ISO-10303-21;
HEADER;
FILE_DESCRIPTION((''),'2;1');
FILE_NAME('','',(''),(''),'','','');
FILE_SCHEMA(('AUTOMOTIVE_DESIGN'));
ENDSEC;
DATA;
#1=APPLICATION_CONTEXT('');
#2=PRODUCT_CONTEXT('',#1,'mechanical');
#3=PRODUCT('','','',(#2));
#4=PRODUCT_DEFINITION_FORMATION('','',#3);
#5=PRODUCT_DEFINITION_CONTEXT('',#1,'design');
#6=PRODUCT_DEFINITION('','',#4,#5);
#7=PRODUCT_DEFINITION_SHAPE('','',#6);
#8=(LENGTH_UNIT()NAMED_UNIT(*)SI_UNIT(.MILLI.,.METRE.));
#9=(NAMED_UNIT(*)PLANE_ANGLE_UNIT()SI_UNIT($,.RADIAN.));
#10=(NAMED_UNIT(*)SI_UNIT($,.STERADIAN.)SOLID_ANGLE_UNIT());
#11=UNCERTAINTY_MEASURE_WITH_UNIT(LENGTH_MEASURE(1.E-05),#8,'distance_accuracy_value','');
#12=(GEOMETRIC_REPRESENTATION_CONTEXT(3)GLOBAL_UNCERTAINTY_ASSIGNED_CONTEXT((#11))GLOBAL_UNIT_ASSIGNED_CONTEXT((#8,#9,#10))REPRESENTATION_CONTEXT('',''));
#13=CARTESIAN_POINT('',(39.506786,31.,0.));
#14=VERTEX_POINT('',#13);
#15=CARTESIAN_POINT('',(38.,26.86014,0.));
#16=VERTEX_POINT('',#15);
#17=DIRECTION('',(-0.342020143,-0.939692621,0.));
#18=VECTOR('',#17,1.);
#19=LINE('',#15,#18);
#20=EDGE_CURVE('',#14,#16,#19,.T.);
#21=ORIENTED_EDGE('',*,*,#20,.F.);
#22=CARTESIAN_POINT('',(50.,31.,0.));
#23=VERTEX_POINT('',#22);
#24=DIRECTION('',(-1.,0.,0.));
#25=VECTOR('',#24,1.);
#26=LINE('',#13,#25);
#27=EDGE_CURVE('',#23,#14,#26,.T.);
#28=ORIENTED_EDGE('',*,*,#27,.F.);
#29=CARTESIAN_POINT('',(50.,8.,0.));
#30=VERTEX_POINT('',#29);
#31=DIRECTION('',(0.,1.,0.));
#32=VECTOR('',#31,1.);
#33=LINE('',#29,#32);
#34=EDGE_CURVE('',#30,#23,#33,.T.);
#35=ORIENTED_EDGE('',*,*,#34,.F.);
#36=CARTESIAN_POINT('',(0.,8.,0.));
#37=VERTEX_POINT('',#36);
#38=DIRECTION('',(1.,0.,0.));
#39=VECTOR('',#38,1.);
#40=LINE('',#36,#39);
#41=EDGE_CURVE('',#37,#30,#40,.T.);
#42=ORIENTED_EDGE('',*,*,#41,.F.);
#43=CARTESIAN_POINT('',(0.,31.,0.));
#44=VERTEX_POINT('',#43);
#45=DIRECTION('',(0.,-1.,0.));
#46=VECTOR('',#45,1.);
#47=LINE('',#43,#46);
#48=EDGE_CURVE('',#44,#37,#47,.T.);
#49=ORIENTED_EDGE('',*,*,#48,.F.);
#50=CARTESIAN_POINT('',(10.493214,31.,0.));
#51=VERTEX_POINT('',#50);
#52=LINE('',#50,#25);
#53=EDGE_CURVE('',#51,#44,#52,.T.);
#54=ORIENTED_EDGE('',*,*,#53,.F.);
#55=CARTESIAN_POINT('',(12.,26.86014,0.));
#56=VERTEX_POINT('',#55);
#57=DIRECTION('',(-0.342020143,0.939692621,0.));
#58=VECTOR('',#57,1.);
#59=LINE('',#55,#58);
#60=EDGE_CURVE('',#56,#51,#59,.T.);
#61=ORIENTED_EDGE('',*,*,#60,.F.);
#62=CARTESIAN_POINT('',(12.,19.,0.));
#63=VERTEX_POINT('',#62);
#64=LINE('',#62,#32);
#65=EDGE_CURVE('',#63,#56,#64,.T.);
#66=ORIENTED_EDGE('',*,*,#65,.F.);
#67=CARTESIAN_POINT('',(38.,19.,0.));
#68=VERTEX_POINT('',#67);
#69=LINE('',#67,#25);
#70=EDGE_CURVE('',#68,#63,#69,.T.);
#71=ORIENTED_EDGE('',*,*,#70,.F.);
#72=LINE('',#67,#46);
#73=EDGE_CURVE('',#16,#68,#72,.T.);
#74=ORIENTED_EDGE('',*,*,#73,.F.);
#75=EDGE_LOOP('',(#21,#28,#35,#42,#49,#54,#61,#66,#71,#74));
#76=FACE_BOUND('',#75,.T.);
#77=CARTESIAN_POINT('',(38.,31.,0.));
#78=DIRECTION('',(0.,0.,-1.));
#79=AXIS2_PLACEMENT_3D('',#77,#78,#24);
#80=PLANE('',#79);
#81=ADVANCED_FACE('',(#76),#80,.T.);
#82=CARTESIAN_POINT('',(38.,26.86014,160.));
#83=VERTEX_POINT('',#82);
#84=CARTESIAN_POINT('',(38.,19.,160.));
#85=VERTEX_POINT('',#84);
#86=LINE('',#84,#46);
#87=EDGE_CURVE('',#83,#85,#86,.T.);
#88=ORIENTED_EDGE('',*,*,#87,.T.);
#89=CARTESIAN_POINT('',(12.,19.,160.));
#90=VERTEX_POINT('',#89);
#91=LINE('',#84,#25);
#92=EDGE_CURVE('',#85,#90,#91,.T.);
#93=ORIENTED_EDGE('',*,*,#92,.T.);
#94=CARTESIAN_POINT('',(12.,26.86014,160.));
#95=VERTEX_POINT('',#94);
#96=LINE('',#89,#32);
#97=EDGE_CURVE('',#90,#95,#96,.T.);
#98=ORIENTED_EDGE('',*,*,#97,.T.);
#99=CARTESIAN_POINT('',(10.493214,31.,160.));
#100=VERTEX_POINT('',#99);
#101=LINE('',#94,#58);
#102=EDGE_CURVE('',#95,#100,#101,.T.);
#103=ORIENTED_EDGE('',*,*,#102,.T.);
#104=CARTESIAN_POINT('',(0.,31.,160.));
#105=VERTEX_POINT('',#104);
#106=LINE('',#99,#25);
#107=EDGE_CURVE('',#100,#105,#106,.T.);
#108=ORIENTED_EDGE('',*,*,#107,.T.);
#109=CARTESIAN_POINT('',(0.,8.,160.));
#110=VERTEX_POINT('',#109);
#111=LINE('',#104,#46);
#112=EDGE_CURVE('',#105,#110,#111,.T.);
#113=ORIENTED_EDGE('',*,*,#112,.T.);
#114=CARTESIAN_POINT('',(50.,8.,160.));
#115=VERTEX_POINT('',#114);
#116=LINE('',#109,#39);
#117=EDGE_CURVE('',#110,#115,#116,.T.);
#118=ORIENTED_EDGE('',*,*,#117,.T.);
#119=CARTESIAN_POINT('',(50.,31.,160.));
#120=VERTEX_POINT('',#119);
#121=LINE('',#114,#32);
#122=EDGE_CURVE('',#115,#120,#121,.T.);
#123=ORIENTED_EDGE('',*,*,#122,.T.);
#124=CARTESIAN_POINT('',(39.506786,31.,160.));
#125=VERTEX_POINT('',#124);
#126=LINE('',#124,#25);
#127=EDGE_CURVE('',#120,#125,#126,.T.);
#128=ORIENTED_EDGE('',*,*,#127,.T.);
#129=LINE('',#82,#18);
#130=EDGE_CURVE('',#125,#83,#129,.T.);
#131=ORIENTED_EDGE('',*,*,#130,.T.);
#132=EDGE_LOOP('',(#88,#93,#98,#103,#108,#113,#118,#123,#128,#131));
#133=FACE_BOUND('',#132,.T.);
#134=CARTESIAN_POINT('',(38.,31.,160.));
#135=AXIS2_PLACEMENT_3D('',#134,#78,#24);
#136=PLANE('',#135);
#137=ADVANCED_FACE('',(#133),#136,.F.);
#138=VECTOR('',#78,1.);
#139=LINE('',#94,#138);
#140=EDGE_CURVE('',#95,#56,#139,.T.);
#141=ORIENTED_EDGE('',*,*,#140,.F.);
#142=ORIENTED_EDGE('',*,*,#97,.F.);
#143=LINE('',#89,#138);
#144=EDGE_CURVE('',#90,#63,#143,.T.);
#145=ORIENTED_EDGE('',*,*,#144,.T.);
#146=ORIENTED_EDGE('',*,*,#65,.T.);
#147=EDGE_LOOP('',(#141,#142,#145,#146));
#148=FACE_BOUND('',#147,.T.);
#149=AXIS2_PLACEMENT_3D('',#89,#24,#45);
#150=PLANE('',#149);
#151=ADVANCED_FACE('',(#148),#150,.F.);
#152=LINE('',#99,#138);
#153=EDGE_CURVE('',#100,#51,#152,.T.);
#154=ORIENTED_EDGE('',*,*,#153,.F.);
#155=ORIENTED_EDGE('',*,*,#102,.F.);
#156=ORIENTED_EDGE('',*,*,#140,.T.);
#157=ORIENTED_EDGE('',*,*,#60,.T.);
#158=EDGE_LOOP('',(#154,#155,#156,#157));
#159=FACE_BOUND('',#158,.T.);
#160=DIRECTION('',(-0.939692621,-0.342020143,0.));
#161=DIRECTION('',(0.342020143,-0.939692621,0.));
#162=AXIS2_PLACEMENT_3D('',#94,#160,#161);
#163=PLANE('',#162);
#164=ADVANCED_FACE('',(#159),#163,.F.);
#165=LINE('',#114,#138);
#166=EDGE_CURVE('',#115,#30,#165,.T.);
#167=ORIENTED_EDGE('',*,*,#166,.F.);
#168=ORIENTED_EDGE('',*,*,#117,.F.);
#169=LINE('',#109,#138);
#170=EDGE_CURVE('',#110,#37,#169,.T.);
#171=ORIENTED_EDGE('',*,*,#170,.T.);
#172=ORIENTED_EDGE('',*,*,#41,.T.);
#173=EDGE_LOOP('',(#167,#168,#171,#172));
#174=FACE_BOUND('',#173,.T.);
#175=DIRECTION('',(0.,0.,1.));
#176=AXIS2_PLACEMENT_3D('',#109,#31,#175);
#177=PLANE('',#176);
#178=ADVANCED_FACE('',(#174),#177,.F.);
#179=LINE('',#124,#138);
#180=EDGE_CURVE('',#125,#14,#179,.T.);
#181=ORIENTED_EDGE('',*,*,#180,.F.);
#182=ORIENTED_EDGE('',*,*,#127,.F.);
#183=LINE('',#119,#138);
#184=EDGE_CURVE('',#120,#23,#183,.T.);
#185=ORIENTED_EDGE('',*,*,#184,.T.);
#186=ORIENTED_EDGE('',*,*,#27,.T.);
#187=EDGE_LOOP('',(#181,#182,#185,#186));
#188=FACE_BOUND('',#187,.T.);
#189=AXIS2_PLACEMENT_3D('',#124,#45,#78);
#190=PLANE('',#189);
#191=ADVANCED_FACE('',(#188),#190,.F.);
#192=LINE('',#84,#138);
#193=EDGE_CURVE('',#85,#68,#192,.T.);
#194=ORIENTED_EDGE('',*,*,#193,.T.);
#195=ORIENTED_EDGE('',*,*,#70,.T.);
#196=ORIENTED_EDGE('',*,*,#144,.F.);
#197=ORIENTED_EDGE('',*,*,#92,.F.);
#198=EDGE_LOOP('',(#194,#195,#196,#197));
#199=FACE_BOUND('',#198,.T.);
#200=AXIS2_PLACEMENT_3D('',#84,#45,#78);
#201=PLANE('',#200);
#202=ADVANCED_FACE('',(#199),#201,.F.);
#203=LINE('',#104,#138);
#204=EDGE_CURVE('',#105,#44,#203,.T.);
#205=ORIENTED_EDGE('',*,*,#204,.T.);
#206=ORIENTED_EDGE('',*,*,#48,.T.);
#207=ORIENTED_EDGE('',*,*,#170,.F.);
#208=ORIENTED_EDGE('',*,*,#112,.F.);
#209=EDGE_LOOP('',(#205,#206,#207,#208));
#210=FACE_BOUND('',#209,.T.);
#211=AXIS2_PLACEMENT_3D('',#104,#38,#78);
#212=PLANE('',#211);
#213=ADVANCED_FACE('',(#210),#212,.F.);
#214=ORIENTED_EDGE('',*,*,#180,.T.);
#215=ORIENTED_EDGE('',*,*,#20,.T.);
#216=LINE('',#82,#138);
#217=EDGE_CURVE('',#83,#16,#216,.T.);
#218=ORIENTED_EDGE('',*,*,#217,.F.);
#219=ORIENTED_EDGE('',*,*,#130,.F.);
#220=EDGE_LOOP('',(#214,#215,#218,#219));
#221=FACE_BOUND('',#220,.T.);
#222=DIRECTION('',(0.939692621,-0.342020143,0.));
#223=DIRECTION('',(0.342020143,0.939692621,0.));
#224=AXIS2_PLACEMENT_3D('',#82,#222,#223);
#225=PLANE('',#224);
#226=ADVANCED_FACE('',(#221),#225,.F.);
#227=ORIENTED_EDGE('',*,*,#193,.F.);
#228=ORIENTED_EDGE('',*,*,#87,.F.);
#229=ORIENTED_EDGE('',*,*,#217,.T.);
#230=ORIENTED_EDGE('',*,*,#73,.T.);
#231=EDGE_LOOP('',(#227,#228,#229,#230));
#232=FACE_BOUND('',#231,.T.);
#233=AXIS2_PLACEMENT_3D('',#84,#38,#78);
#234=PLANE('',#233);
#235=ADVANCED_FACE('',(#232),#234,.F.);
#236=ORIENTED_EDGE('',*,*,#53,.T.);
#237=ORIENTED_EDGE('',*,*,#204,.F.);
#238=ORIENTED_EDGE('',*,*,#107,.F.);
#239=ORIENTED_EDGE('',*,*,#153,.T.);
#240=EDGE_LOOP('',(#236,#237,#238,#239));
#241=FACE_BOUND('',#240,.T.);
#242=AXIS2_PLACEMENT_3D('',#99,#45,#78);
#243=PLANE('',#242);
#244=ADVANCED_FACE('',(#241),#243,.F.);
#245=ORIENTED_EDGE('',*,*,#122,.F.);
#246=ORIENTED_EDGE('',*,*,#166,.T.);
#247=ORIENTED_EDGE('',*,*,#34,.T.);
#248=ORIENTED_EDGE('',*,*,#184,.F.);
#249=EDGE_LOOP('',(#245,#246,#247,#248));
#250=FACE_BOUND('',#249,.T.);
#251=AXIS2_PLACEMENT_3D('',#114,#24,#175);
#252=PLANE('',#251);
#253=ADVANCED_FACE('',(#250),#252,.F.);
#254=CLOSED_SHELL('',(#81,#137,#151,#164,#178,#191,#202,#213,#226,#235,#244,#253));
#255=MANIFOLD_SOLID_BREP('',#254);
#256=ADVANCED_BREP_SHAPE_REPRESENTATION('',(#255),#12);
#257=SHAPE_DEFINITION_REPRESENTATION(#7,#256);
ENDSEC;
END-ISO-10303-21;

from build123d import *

# Parameters (mm, degrees)
EXTRUSION1_DEPTH = 160


with BuildPart() as part:
    # Esquisse1 → Extrusion1 (new body)
    with BuildSketch(Plane.XY):
        Polygon((38, 19), (12, 19), (12, 26.86014045), (10.49321435, 31), (0, 31), (0, 8), (50, 8), (50, 31), (39.50678565, 31), (38, 26.86014045), align=None)
    extrude(amount=EXTRUSION1_DEPTH)


solid = part.part
